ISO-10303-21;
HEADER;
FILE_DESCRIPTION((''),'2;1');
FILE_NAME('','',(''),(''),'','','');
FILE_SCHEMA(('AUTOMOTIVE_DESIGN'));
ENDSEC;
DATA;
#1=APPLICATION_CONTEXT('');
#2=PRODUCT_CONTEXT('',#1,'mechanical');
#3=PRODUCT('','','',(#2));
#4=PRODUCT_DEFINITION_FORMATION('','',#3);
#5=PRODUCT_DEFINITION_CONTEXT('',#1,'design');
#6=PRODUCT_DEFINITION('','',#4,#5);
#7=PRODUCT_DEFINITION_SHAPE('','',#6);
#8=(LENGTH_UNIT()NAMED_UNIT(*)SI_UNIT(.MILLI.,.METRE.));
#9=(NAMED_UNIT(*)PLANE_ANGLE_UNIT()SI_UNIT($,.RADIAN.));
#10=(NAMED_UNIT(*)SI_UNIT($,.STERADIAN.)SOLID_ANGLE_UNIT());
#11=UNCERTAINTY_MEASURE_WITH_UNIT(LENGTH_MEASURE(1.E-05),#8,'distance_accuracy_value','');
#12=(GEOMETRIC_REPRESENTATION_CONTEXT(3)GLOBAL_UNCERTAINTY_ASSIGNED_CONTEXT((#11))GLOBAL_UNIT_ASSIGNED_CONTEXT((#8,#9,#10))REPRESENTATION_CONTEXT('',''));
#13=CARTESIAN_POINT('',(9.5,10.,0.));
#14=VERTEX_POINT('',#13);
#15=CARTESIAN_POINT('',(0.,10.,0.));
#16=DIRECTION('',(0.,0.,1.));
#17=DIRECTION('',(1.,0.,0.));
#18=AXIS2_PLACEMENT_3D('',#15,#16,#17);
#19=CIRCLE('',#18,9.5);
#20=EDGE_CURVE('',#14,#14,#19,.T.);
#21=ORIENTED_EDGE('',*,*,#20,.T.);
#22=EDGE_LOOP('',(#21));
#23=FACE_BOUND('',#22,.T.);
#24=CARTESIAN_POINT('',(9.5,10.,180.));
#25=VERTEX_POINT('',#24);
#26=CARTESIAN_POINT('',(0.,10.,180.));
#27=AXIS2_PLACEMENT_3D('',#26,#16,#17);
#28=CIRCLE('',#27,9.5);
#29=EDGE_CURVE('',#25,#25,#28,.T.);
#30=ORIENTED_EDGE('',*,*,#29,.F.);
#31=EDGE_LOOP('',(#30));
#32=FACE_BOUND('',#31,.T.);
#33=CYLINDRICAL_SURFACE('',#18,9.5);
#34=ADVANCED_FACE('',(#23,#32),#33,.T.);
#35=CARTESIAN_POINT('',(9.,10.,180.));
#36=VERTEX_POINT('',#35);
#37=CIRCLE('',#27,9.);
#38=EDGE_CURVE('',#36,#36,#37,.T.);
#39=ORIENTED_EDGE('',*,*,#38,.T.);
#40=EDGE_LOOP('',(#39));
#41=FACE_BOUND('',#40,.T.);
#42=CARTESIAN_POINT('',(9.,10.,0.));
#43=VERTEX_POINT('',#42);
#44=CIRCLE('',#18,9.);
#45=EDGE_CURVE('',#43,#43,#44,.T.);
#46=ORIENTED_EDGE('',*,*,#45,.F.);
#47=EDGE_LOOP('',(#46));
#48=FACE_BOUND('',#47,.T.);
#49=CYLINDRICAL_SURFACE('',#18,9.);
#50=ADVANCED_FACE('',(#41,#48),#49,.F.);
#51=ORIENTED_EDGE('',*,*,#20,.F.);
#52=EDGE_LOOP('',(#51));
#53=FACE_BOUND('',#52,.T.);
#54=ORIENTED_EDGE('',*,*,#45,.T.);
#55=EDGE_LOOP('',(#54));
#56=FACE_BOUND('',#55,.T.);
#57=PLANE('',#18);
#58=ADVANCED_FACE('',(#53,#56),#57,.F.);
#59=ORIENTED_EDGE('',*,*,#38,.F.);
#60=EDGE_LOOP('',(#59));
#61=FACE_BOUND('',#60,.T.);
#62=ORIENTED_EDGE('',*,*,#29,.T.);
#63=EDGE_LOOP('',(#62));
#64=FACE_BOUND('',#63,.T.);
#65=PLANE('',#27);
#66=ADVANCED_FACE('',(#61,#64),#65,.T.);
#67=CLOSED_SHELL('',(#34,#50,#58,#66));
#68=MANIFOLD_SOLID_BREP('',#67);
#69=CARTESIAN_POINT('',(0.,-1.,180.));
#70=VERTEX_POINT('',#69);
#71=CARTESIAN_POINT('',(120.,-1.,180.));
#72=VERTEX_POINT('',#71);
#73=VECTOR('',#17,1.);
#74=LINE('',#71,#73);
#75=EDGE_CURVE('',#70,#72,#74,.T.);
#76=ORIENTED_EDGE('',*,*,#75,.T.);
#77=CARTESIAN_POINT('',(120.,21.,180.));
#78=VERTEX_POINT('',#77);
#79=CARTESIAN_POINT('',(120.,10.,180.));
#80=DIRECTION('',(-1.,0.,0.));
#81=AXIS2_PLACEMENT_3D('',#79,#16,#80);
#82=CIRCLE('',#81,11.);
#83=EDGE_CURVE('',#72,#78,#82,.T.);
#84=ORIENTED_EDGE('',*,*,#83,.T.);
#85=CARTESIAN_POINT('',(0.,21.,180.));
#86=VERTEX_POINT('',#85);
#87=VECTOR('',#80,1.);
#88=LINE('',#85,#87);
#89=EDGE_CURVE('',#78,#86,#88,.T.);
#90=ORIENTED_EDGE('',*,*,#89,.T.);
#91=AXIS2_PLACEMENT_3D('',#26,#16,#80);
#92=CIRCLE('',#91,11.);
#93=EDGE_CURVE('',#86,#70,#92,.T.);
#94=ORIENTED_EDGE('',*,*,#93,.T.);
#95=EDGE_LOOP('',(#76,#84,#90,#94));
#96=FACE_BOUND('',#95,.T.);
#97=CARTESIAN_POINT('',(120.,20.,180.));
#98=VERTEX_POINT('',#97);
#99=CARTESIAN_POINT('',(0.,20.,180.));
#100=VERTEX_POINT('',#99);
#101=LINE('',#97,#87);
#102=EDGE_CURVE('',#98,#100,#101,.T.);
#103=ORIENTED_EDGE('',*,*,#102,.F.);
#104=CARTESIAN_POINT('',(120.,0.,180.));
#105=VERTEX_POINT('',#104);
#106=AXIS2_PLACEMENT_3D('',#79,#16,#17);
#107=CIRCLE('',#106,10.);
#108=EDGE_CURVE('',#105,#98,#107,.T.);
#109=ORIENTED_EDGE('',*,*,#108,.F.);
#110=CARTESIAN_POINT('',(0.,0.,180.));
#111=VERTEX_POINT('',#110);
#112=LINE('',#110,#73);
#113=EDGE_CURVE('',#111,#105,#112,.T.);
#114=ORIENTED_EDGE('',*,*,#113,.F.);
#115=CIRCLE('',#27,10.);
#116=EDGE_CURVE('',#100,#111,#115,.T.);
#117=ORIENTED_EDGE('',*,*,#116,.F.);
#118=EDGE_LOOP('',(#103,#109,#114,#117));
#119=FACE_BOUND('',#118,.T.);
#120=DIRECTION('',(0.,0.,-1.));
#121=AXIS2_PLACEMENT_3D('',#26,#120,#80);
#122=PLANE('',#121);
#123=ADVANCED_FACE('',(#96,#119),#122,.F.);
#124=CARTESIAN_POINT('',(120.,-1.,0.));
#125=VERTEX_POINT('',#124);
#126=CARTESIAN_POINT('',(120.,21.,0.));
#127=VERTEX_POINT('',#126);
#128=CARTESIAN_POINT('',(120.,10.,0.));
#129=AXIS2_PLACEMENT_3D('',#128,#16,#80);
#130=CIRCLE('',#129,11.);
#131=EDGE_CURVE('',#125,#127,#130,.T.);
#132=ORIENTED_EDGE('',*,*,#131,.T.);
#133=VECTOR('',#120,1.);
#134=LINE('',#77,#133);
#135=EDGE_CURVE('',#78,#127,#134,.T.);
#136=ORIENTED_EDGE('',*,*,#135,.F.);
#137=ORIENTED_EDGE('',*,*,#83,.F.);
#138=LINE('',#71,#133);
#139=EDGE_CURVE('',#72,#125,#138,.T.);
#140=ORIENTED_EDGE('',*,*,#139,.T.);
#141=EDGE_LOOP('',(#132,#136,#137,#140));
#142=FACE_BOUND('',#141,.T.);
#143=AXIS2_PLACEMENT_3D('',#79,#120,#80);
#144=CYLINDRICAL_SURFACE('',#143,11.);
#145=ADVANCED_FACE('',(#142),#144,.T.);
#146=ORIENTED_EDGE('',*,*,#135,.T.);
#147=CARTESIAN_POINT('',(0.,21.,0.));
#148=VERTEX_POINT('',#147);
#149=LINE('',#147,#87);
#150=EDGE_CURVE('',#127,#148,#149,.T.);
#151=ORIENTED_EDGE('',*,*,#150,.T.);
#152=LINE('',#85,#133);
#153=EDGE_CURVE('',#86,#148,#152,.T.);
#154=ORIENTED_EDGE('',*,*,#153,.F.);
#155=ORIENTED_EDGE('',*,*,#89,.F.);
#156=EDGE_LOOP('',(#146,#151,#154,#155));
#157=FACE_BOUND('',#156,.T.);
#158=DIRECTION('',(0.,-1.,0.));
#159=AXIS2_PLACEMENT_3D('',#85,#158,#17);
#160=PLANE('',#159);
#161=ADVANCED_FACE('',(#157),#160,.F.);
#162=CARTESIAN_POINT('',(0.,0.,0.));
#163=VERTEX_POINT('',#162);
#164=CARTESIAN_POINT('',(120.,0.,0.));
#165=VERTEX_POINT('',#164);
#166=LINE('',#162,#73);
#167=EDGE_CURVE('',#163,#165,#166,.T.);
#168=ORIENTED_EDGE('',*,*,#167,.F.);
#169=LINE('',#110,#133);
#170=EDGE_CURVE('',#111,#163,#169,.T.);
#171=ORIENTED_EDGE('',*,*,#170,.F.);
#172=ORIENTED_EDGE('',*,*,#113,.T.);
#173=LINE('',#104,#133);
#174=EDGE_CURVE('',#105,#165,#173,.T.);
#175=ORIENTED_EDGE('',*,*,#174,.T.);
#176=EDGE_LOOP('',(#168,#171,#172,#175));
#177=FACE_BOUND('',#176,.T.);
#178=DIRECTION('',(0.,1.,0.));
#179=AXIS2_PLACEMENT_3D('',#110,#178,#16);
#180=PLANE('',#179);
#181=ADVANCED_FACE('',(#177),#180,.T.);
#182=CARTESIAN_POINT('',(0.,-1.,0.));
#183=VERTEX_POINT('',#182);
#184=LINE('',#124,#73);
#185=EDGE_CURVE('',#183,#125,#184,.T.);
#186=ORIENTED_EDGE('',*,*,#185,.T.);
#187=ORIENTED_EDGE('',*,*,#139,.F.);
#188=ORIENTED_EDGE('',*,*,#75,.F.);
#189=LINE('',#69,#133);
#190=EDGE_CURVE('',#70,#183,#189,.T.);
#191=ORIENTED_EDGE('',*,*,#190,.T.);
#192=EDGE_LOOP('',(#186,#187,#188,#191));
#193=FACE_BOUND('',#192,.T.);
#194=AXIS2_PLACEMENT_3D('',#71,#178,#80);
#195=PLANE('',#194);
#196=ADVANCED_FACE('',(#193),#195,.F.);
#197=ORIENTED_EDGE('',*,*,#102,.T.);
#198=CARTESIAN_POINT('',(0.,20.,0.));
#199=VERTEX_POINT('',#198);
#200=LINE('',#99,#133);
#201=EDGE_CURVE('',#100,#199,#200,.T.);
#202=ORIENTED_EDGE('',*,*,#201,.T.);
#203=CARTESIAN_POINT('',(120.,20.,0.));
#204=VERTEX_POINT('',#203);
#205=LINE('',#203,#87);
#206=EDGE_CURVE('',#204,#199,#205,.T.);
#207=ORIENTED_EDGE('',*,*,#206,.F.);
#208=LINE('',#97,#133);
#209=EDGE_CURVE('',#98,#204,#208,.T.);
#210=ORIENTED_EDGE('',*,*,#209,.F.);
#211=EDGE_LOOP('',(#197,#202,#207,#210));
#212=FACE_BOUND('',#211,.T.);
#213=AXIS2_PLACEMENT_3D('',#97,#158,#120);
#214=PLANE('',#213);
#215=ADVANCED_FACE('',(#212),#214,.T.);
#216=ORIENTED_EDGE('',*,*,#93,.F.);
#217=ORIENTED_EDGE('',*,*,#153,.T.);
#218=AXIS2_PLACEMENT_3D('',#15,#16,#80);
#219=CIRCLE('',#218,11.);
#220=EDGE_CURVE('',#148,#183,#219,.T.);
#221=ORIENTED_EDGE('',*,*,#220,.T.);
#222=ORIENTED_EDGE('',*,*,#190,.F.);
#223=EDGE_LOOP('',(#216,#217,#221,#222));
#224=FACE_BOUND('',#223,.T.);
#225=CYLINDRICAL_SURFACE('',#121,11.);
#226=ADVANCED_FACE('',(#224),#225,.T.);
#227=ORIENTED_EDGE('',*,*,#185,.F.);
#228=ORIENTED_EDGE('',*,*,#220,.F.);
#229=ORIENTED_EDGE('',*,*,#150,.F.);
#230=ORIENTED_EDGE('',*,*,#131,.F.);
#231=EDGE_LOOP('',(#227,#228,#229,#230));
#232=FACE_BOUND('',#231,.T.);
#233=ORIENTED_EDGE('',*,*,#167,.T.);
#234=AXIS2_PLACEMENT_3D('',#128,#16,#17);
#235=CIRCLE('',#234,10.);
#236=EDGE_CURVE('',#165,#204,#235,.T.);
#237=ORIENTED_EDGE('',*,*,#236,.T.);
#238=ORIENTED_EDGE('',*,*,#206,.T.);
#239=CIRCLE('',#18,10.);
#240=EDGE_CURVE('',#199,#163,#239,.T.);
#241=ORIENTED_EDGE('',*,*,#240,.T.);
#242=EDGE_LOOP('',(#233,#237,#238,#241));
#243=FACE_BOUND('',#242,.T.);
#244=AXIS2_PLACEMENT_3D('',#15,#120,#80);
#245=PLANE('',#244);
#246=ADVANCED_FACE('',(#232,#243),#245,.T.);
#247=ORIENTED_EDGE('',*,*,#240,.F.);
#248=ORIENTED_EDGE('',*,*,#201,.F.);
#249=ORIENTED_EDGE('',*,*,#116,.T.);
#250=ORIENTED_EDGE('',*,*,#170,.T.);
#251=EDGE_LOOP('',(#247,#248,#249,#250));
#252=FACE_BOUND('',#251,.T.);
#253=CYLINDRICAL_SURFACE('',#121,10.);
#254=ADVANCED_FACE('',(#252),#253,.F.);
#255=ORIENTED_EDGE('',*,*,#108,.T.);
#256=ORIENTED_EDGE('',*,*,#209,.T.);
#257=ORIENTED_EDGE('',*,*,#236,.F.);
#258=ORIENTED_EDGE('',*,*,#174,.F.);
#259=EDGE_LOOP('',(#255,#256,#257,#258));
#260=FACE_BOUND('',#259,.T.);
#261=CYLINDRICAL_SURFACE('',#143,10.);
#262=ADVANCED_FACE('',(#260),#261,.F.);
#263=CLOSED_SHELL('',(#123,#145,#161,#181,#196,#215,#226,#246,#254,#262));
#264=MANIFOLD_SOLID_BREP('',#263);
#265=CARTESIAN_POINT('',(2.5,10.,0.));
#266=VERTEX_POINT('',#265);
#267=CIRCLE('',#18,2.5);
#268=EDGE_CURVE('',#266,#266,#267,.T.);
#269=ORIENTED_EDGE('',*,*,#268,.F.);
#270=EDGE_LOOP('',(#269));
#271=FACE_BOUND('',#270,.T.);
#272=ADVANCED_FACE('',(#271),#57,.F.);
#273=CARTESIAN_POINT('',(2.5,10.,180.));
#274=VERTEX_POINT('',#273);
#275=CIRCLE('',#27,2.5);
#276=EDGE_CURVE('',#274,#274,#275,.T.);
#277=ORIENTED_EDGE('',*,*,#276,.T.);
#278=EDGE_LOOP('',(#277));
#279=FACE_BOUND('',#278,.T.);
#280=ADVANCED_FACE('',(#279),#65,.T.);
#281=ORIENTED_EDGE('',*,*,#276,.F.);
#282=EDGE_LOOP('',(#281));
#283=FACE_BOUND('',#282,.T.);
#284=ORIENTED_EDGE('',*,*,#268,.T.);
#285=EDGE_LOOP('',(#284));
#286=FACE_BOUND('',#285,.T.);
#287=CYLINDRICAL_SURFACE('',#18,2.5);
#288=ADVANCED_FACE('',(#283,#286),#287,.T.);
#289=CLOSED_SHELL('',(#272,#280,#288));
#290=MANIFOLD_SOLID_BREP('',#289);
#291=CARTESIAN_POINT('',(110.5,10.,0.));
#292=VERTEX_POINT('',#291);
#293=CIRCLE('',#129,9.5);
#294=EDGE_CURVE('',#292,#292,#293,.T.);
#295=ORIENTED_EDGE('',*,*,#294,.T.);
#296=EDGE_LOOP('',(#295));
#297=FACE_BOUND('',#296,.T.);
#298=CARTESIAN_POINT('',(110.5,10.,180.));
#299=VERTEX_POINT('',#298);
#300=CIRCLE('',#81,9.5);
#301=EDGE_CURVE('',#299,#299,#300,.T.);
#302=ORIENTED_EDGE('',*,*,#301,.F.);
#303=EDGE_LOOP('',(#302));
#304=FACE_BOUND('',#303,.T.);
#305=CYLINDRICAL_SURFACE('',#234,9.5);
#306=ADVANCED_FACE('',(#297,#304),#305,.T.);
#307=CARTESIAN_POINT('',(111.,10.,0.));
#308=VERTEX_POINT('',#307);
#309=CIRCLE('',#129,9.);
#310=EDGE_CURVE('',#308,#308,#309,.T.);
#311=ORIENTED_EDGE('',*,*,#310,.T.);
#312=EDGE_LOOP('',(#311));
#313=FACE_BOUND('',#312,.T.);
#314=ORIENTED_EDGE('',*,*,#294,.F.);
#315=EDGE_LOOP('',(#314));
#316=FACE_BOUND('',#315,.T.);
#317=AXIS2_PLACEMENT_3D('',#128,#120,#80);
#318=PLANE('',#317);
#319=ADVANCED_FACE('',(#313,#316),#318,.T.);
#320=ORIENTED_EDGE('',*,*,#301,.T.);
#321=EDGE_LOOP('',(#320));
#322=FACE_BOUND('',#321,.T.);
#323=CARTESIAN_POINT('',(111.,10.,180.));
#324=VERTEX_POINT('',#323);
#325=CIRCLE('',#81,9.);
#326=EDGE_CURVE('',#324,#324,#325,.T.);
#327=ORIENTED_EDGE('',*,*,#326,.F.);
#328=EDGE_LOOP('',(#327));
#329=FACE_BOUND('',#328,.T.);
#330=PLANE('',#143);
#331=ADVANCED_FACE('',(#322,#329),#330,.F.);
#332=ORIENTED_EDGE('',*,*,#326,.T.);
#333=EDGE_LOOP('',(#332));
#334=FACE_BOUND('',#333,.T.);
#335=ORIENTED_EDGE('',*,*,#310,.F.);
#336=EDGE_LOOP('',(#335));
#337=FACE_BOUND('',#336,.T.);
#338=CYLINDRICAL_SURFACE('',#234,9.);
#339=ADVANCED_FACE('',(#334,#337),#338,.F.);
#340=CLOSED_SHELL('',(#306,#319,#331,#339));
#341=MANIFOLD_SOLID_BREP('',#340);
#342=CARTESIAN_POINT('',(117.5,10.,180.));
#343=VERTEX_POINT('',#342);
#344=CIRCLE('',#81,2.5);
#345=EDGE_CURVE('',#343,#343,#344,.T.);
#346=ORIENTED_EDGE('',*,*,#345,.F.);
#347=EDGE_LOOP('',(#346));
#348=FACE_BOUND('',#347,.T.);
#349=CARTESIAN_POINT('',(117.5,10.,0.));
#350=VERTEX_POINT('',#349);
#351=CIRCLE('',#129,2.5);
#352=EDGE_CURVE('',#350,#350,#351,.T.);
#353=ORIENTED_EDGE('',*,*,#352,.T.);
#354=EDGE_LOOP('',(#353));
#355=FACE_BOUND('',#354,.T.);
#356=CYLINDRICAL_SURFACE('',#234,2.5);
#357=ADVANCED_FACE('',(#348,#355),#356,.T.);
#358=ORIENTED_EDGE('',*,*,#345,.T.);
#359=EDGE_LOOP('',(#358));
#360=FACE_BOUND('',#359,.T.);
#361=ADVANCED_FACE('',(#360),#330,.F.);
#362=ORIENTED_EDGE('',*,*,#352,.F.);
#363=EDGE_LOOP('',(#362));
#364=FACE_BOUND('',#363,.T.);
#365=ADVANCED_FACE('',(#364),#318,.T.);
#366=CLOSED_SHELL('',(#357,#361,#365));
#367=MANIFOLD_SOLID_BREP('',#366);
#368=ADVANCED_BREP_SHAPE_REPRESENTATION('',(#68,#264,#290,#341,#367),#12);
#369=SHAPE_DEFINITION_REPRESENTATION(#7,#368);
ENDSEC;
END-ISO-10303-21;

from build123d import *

# Parameters (mm, degrees)
BOSS_EXTRU_1_DEPTH   = 180
ESQUISSE2_R          = 2.5
BOSS_EXTRU_2_DEPTH   = 180
BOSS_EXTRU_2_2_DEPTH = 180
ESQUISSE3_R          = 9.5
ESQUISSE3_R_2        = 9
BOSS_EXTRU_3_DEPTH   = 180
BOSS_EXTRU_3_2_DEPTH = 180


with BuildPart() as part:
    # Esquisse1 → Boss.-Extru.1 (new body)
    with BuildSketch(Plane.XY):
        with BuildLine():
            Line((0, 21), (120, 21))
            ThreePointArc((120, 21), (131, 10), (120, -1))
            Line((120, -1), (0, -1))
            ThreePointArc((0, -1), (-11, 10), (0, 21))
        make_face()
        with BuildLine():
            Line((0, 0), (120, 0))
            ThreePointArc((120, 0), (130, 10), (120, 20))
            Line((120, 20), (0, 20))
            ThreePointArc((0, 20), (-10, 10), (0, 0))
        make_face(mode=Mode.SUBTRACT)
    extrude(amount=BOSS_EXTRU_1_DEPTH)


with BuildPart() as body_2:
    # Esquisse2 → Boss.-Extru.2 (new body)
    with BuildSketch(Plane.XY.offset(180)):
        with Locations((0, 10)):
            Circle(ESQUISSE2_R)
    extrude(amount=-BOSS_EXTRU_2_DEPTH)


with BuildPart() as body_3:
    # Esquisse2 → Boss.-Extru.2 2 (new body)
    with BuildSketch(Plane.XY.offset(180)):
        with Locations((120, 10)):
            Circle(ESQUISSE2_R)
    extrude(amount=-BOSS_EXTRU_2_2_DEPTH)


with BuildPart() as body_4:
    # Esquisse3 → Boss.-Extru.3 (new body)
    with BuildSketch(Plane.XY.offset(180)):
        with Locations((0, 10)):
            Circle(ESQUISSE3_R)
        with Locations((0, 10)):
            Circle(ESQUISSE3_R_2, mode=Mode.SUBTRACT)
    extrude(amount=-BOSS_EXTRU_3_DEPTH)


with BuildPart() as body_5:
    # Esquisse3 → Boss.-Extru.3 2 (new body)
    with BuildSketch(Plane.XY.offset(180)):
        with Locations((120, 10)):
            Circle(ESQUISSE3_R)
        with Locations((120, 10)):
            Circle(ESQUISSE3_R_2, mode=Mode.SUBTRACT)
    extrude(amount=-BOSS_EXTRU_3_2_DEPTH)


solid = Compound([part.part, body_2.part, body_3.part, body_4.part, body_5.part])
